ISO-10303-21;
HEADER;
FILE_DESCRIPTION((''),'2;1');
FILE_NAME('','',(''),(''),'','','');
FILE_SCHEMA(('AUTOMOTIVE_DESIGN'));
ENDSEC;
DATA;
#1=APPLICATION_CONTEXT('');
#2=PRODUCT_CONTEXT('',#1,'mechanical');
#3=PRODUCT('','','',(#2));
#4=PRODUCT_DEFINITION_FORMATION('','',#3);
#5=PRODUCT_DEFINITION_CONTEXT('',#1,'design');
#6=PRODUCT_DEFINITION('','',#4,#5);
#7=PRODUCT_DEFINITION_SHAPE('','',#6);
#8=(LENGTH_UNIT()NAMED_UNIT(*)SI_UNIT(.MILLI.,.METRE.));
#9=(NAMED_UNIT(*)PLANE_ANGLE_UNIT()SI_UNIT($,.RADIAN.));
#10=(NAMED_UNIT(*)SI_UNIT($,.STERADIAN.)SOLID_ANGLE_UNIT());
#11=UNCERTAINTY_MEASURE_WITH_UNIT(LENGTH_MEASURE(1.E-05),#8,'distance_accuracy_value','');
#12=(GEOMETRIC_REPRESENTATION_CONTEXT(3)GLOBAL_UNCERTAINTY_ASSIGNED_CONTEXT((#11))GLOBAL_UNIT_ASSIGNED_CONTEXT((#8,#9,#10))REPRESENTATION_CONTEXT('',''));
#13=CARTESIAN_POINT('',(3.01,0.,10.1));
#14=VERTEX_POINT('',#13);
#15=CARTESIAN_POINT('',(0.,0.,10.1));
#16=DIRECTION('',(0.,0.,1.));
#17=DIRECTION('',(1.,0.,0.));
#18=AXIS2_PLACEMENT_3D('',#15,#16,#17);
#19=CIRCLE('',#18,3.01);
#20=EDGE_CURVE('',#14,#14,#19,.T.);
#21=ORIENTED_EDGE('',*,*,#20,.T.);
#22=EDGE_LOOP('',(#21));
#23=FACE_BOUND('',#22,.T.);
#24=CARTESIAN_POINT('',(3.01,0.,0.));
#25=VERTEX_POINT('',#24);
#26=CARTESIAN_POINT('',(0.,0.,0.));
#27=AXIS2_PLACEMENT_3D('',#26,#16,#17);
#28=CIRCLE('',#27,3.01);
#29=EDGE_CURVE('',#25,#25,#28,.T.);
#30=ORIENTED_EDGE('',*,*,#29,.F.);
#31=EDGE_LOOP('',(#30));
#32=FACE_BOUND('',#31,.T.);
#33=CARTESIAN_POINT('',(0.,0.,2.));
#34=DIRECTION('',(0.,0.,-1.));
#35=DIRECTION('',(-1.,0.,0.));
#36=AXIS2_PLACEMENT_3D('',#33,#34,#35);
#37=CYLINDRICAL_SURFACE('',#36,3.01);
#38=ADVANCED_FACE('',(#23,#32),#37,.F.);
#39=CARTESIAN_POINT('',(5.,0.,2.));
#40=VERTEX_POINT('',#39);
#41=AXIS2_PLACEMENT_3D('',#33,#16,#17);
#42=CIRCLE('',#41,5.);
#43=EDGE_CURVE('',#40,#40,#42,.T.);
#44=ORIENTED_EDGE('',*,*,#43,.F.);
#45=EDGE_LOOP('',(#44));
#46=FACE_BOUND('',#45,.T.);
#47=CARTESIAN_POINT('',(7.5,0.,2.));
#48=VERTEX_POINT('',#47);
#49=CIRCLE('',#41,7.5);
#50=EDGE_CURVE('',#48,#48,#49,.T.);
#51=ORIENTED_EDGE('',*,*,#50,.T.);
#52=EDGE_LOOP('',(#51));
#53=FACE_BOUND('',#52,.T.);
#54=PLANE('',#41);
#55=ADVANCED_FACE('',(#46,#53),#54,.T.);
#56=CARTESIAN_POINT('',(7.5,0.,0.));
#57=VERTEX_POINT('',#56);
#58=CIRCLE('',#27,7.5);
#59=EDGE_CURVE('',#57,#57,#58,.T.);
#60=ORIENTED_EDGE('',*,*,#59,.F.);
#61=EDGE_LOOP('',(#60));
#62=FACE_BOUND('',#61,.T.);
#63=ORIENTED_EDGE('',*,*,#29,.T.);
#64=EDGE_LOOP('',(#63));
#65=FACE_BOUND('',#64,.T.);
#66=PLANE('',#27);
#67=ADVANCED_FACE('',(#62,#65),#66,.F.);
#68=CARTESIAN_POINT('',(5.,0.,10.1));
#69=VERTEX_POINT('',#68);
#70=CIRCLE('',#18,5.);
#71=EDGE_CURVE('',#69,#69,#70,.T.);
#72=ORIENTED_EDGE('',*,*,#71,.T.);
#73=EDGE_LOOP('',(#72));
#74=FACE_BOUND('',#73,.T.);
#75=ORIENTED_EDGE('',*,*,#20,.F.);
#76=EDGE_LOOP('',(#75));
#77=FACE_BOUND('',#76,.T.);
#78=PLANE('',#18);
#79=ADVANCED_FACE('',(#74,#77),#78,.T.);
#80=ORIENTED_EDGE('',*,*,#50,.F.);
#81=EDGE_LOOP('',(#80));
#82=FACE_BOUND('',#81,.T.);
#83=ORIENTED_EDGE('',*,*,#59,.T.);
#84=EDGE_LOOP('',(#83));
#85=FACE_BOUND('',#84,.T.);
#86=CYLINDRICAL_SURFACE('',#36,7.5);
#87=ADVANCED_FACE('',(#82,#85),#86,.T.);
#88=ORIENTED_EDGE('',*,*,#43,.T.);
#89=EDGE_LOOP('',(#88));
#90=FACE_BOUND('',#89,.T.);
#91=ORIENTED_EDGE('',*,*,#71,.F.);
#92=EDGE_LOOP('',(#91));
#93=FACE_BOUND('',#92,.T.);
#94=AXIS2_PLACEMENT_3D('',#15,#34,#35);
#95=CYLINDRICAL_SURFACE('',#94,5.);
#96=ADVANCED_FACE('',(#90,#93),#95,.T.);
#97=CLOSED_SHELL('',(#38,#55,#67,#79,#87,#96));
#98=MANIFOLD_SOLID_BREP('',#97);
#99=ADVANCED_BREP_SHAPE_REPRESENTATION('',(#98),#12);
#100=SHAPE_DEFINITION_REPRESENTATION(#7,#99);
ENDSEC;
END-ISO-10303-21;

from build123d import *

# Parameters (mm, degrees)
S01_STEEL_LOAD_SPREADING_FLANGE_R             = 7.5
S01_STEEL_LOAD_SPREADING_FLANGE_R_2           = 3.01
F_01_STEEL_LOAD_SPREADING_FLANGE_DEPTH        = 2
F_02_START                                    = 2
S02_STUD_BEARING_SEAT_AND_CRUSH_SLEEVE_R      = 5
S02_STUD_BEARING_SEAT_AND_CRUSH_SLEEVE_R_2    = 3.01
F_02_STUD_BEARING_SEAT_AND_CRUSH_SLEEVE_DEPTH = 8.1


with BuildPart() as part:
    # S01 - Steel load spreading flange → 01 - Steel load spreading flange (new body)
    with BuildSketch(Plane.XY):
        Circle(S01_STEEL_LOAD_SPREADING_FLANGE_R)
        Circle(S01_STEEL_LOAD_SPREADING_FLANGE_R_2, mode=Mode.SUBTRACT)
    extrude(amount=F_01_STEEL_LOAD_SPREADING_FLANGE_DEPTH)

    # S02 - Stud bearing seat and crush sleeve → 02 - Stud bearing seat and crush sleeve (add)
    with BuildSketch(Plane.XY.offset(F_02_START)):
        Circle(S02_STUD_BEARING_SEAT_AND_CRUSH_SLEEVE_R)
        Circle(S02_STUD_BEARING_SEAT_AND_CRUSH_SLEEVE_R_2, mode=Mode.SUBTRACT)
    extrude(amount=F_02_STUD_BEARING_SEAT_AND_CRUSH_SLEEVE_DEPTH)


solid = part.part
